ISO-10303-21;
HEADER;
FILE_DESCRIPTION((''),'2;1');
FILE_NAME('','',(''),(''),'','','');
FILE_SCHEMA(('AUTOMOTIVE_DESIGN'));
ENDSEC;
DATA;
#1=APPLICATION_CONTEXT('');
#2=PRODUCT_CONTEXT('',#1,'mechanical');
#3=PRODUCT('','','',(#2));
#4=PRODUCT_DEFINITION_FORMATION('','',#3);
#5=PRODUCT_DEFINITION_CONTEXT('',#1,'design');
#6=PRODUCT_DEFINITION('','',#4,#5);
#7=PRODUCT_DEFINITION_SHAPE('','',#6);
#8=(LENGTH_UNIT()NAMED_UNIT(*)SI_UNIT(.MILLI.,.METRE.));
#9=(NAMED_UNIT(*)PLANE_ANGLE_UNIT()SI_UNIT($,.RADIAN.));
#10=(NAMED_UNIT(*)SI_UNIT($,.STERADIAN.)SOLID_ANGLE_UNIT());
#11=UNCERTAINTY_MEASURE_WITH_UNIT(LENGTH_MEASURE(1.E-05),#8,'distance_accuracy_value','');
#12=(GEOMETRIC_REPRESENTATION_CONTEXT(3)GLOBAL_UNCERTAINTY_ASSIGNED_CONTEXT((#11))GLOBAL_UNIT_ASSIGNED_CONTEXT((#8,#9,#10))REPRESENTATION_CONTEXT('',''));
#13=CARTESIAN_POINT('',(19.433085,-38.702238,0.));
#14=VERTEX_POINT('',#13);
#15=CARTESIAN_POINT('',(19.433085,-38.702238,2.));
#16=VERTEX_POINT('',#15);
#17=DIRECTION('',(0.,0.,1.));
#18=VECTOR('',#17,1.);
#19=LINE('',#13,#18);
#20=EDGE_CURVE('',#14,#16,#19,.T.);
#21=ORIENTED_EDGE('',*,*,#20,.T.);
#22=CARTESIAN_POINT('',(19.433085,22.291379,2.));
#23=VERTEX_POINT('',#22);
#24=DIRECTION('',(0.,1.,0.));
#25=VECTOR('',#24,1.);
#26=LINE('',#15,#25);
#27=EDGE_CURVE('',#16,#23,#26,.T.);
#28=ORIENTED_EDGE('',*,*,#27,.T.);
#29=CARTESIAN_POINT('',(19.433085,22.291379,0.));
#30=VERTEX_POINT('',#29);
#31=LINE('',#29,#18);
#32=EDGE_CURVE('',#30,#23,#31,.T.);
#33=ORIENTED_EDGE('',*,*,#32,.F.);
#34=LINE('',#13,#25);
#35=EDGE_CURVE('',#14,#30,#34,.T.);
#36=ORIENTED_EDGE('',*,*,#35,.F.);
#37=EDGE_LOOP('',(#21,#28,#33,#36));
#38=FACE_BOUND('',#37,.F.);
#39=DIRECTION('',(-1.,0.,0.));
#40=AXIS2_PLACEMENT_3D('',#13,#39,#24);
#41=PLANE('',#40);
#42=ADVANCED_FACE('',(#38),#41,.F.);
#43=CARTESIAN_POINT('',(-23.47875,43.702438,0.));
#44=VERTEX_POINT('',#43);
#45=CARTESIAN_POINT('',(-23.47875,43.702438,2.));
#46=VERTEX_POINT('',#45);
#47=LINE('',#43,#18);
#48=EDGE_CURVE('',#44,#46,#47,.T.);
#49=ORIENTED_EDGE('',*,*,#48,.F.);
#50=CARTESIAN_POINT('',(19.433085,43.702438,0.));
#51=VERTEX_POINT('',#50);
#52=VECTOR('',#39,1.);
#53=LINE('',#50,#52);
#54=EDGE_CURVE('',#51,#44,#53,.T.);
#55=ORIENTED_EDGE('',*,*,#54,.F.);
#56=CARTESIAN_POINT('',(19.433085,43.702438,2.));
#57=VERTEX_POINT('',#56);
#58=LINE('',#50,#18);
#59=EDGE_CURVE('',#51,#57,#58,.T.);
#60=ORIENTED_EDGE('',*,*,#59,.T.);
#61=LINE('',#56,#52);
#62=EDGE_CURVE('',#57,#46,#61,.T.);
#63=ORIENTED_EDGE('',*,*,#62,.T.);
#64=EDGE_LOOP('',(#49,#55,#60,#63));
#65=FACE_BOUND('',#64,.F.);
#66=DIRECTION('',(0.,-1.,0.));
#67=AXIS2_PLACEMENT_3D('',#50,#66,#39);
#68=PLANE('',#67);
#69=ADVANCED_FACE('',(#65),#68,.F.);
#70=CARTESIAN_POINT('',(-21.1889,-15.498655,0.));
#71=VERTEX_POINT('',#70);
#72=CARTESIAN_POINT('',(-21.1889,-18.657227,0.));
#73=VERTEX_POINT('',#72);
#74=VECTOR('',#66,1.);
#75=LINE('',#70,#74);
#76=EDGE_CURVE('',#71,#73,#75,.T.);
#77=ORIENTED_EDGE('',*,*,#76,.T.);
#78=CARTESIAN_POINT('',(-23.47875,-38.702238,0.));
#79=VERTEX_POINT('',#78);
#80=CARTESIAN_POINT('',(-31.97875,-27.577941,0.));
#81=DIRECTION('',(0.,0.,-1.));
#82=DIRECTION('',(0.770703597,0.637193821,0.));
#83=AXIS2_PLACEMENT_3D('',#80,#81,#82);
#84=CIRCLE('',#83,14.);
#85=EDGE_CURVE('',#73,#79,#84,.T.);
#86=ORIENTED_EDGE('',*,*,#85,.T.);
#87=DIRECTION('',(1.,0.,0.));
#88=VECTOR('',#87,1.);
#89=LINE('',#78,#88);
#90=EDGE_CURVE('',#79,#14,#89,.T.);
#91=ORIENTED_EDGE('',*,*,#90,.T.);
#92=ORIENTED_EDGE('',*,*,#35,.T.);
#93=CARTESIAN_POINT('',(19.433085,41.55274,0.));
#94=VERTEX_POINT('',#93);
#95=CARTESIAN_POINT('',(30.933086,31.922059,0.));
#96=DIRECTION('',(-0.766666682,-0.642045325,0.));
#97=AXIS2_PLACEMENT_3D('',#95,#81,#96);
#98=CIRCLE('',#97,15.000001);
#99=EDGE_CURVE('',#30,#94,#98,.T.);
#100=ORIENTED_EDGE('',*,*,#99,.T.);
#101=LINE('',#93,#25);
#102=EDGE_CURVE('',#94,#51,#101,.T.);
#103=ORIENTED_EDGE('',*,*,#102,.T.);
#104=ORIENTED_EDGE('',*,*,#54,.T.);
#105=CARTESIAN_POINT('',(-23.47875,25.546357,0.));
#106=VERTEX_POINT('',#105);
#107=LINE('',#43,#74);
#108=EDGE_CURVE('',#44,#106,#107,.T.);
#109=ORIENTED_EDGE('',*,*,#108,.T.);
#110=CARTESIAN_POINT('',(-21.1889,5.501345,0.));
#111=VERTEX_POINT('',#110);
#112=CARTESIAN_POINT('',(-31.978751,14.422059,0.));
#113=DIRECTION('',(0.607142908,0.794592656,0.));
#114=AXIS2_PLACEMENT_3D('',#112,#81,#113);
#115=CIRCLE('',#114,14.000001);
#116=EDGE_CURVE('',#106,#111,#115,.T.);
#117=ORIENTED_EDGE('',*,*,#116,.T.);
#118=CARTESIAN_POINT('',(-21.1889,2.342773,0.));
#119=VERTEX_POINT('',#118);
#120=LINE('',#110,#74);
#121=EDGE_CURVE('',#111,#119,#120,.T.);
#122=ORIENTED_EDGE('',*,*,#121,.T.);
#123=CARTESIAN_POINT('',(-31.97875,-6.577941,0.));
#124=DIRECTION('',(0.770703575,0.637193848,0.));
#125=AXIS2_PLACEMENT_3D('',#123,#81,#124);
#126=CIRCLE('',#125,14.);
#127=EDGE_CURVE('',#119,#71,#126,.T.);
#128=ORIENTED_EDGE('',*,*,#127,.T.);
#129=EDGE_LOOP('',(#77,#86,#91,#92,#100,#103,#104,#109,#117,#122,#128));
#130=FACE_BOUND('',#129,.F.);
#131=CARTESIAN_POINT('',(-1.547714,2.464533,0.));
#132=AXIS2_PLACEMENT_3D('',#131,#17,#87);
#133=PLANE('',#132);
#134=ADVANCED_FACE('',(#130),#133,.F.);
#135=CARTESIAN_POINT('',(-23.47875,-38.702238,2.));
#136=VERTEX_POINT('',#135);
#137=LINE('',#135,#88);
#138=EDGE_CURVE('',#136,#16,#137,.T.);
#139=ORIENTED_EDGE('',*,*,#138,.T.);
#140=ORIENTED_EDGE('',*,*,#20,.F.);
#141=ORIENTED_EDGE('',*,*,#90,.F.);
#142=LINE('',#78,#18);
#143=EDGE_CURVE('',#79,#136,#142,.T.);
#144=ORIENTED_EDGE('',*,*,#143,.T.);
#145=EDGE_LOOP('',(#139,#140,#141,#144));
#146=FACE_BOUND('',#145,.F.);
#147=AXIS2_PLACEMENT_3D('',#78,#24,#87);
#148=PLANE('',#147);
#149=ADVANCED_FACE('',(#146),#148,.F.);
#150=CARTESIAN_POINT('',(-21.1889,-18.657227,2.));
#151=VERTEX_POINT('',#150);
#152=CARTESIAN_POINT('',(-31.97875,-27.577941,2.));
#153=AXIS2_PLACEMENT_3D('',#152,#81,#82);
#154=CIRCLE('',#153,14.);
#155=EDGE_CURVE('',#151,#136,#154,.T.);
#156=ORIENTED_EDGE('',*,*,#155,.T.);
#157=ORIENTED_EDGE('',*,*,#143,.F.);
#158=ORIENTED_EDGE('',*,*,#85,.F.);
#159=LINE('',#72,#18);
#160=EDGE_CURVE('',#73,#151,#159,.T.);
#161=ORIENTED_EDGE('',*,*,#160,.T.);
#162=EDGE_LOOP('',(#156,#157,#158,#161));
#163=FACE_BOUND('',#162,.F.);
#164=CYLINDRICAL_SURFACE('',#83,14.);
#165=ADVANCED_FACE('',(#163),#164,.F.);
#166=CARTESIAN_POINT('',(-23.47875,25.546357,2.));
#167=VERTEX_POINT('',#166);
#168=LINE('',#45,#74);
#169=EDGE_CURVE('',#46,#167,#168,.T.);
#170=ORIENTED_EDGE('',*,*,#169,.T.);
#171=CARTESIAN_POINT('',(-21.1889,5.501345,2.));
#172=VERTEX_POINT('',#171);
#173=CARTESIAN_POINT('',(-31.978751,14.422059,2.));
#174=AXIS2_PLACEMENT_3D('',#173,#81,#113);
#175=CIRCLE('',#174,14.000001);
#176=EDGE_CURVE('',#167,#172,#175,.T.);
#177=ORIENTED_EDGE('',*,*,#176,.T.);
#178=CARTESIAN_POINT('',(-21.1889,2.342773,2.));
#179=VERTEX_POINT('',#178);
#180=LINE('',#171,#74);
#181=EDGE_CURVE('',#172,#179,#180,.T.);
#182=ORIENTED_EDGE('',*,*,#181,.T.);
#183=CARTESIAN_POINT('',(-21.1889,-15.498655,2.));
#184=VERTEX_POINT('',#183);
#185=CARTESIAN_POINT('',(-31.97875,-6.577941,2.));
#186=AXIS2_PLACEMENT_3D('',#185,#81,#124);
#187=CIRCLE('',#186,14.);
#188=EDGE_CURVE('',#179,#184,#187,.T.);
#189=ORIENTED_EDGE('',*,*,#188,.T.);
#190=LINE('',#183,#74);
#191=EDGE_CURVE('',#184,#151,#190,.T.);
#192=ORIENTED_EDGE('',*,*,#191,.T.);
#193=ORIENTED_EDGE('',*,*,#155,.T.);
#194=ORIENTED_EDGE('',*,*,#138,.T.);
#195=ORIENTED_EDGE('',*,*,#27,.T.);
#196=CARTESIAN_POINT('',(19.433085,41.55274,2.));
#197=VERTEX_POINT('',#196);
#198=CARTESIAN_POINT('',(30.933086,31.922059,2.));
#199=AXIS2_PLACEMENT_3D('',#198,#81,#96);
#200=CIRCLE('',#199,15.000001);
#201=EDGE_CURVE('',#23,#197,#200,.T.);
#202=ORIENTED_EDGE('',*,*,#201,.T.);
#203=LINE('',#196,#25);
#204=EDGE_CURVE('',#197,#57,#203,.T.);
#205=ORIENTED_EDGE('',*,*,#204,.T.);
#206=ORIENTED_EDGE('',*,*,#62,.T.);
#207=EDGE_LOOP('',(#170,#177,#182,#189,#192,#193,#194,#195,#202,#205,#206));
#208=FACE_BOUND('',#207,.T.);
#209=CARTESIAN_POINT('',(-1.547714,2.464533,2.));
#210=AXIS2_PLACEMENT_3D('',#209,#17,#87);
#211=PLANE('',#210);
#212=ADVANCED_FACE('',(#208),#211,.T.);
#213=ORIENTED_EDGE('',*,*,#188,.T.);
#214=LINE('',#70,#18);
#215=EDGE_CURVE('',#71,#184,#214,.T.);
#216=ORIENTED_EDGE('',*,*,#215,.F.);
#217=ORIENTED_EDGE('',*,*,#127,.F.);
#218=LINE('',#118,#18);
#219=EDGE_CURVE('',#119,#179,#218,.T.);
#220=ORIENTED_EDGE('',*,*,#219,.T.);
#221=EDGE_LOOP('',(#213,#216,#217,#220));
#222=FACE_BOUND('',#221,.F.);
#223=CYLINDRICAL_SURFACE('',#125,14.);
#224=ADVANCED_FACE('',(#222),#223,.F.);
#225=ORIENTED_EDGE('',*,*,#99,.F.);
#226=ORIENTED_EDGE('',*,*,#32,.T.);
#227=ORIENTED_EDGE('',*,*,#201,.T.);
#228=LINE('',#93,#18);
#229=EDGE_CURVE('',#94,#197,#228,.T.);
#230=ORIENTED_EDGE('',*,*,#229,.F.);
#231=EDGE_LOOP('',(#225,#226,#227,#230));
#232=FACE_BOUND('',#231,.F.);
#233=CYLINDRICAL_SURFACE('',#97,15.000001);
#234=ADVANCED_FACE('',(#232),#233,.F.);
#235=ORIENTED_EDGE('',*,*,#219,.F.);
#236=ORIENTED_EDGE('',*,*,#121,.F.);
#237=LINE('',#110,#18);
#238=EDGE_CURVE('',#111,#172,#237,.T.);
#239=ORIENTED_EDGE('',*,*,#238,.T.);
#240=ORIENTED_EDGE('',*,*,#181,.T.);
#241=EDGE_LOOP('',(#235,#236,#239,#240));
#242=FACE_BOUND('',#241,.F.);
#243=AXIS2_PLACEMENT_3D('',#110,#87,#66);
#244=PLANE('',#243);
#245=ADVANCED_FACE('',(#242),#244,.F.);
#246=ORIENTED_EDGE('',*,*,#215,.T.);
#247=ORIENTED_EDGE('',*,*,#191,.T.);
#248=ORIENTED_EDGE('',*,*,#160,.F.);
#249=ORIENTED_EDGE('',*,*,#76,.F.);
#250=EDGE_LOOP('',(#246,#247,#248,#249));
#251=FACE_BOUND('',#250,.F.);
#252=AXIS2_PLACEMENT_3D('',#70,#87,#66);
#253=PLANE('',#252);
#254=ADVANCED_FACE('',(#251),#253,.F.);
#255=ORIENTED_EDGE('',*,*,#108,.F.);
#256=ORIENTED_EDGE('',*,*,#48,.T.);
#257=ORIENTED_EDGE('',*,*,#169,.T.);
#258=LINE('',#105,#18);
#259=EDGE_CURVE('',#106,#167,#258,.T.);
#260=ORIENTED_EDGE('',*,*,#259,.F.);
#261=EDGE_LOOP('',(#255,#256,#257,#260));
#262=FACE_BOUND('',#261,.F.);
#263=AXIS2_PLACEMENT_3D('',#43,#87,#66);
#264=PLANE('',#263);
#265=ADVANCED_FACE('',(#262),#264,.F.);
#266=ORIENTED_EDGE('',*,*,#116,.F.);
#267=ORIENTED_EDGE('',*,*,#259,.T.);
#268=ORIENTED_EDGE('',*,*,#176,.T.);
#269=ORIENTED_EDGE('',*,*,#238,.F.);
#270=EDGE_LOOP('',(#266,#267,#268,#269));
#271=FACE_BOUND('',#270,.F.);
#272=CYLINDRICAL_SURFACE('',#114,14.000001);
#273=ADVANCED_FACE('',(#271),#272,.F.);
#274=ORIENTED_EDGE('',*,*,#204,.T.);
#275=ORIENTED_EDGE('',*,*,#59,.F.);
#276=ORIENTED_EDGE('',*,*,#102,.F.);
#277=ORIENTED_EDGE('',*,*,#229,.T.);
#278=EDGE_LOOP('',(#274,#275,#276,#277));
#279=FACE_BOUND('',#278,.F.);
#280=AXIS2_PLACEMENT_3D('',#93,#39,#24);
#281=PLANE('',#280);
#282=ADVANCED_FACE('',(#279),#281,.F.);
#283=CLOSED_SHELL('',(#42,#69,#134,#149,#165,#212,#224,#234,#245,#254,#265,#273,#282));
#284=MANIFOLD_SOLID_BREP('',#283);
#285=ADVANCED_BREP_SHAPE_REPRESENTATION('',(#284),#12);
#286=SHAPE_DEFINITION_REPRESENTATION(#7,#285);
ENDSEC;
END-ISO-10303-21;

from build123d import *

# Parameters (mm, degrees)
F1_DEPTH = 2


with BuildPart() as f1:
    # F0 (on Top) → F1 (new body)
    with BuildSketch(Plane.XY):
        with BuildLine():
            Line((19.433085, 43.702438), (-23.47875, 43.702438))
            Line((-23.47875, 43.702438), (-23.47875, 25.546357))
            ThreePointArc((-23.47875, 25.546357), (-18.069214, 16.011021), (-21.1889, 5.501345))
            Line((-21.1889, 5.501345), (-21.1889, 2.342773))
            ThreePointArc((-21.1889, 2.342773), (-17.97875, -6.577941), (-21.1889, -15.498655))
            Line((-21.1889, -15.498655), (-21.1889, -18.657227))
            ThreePointArc((-21.1889, -18.657227), (-18.069214, -29.166902), (-23.47875, -38.702238))
            Line((-23.47875, -38.702238), (19.433085, -38.702238))
            Line((19.433085, -38.702238), (19.433085, 22.291379))
            ThreePointArc((19.433085, 22.291379), (15.933085, 31.922059), (19.433085, 41.55274))
            Line((19.433085, 41.55274), (19.433085, 43.702438))
        make_face()
    extrude(amount=F1_DEPTH)


solid = f1.part
